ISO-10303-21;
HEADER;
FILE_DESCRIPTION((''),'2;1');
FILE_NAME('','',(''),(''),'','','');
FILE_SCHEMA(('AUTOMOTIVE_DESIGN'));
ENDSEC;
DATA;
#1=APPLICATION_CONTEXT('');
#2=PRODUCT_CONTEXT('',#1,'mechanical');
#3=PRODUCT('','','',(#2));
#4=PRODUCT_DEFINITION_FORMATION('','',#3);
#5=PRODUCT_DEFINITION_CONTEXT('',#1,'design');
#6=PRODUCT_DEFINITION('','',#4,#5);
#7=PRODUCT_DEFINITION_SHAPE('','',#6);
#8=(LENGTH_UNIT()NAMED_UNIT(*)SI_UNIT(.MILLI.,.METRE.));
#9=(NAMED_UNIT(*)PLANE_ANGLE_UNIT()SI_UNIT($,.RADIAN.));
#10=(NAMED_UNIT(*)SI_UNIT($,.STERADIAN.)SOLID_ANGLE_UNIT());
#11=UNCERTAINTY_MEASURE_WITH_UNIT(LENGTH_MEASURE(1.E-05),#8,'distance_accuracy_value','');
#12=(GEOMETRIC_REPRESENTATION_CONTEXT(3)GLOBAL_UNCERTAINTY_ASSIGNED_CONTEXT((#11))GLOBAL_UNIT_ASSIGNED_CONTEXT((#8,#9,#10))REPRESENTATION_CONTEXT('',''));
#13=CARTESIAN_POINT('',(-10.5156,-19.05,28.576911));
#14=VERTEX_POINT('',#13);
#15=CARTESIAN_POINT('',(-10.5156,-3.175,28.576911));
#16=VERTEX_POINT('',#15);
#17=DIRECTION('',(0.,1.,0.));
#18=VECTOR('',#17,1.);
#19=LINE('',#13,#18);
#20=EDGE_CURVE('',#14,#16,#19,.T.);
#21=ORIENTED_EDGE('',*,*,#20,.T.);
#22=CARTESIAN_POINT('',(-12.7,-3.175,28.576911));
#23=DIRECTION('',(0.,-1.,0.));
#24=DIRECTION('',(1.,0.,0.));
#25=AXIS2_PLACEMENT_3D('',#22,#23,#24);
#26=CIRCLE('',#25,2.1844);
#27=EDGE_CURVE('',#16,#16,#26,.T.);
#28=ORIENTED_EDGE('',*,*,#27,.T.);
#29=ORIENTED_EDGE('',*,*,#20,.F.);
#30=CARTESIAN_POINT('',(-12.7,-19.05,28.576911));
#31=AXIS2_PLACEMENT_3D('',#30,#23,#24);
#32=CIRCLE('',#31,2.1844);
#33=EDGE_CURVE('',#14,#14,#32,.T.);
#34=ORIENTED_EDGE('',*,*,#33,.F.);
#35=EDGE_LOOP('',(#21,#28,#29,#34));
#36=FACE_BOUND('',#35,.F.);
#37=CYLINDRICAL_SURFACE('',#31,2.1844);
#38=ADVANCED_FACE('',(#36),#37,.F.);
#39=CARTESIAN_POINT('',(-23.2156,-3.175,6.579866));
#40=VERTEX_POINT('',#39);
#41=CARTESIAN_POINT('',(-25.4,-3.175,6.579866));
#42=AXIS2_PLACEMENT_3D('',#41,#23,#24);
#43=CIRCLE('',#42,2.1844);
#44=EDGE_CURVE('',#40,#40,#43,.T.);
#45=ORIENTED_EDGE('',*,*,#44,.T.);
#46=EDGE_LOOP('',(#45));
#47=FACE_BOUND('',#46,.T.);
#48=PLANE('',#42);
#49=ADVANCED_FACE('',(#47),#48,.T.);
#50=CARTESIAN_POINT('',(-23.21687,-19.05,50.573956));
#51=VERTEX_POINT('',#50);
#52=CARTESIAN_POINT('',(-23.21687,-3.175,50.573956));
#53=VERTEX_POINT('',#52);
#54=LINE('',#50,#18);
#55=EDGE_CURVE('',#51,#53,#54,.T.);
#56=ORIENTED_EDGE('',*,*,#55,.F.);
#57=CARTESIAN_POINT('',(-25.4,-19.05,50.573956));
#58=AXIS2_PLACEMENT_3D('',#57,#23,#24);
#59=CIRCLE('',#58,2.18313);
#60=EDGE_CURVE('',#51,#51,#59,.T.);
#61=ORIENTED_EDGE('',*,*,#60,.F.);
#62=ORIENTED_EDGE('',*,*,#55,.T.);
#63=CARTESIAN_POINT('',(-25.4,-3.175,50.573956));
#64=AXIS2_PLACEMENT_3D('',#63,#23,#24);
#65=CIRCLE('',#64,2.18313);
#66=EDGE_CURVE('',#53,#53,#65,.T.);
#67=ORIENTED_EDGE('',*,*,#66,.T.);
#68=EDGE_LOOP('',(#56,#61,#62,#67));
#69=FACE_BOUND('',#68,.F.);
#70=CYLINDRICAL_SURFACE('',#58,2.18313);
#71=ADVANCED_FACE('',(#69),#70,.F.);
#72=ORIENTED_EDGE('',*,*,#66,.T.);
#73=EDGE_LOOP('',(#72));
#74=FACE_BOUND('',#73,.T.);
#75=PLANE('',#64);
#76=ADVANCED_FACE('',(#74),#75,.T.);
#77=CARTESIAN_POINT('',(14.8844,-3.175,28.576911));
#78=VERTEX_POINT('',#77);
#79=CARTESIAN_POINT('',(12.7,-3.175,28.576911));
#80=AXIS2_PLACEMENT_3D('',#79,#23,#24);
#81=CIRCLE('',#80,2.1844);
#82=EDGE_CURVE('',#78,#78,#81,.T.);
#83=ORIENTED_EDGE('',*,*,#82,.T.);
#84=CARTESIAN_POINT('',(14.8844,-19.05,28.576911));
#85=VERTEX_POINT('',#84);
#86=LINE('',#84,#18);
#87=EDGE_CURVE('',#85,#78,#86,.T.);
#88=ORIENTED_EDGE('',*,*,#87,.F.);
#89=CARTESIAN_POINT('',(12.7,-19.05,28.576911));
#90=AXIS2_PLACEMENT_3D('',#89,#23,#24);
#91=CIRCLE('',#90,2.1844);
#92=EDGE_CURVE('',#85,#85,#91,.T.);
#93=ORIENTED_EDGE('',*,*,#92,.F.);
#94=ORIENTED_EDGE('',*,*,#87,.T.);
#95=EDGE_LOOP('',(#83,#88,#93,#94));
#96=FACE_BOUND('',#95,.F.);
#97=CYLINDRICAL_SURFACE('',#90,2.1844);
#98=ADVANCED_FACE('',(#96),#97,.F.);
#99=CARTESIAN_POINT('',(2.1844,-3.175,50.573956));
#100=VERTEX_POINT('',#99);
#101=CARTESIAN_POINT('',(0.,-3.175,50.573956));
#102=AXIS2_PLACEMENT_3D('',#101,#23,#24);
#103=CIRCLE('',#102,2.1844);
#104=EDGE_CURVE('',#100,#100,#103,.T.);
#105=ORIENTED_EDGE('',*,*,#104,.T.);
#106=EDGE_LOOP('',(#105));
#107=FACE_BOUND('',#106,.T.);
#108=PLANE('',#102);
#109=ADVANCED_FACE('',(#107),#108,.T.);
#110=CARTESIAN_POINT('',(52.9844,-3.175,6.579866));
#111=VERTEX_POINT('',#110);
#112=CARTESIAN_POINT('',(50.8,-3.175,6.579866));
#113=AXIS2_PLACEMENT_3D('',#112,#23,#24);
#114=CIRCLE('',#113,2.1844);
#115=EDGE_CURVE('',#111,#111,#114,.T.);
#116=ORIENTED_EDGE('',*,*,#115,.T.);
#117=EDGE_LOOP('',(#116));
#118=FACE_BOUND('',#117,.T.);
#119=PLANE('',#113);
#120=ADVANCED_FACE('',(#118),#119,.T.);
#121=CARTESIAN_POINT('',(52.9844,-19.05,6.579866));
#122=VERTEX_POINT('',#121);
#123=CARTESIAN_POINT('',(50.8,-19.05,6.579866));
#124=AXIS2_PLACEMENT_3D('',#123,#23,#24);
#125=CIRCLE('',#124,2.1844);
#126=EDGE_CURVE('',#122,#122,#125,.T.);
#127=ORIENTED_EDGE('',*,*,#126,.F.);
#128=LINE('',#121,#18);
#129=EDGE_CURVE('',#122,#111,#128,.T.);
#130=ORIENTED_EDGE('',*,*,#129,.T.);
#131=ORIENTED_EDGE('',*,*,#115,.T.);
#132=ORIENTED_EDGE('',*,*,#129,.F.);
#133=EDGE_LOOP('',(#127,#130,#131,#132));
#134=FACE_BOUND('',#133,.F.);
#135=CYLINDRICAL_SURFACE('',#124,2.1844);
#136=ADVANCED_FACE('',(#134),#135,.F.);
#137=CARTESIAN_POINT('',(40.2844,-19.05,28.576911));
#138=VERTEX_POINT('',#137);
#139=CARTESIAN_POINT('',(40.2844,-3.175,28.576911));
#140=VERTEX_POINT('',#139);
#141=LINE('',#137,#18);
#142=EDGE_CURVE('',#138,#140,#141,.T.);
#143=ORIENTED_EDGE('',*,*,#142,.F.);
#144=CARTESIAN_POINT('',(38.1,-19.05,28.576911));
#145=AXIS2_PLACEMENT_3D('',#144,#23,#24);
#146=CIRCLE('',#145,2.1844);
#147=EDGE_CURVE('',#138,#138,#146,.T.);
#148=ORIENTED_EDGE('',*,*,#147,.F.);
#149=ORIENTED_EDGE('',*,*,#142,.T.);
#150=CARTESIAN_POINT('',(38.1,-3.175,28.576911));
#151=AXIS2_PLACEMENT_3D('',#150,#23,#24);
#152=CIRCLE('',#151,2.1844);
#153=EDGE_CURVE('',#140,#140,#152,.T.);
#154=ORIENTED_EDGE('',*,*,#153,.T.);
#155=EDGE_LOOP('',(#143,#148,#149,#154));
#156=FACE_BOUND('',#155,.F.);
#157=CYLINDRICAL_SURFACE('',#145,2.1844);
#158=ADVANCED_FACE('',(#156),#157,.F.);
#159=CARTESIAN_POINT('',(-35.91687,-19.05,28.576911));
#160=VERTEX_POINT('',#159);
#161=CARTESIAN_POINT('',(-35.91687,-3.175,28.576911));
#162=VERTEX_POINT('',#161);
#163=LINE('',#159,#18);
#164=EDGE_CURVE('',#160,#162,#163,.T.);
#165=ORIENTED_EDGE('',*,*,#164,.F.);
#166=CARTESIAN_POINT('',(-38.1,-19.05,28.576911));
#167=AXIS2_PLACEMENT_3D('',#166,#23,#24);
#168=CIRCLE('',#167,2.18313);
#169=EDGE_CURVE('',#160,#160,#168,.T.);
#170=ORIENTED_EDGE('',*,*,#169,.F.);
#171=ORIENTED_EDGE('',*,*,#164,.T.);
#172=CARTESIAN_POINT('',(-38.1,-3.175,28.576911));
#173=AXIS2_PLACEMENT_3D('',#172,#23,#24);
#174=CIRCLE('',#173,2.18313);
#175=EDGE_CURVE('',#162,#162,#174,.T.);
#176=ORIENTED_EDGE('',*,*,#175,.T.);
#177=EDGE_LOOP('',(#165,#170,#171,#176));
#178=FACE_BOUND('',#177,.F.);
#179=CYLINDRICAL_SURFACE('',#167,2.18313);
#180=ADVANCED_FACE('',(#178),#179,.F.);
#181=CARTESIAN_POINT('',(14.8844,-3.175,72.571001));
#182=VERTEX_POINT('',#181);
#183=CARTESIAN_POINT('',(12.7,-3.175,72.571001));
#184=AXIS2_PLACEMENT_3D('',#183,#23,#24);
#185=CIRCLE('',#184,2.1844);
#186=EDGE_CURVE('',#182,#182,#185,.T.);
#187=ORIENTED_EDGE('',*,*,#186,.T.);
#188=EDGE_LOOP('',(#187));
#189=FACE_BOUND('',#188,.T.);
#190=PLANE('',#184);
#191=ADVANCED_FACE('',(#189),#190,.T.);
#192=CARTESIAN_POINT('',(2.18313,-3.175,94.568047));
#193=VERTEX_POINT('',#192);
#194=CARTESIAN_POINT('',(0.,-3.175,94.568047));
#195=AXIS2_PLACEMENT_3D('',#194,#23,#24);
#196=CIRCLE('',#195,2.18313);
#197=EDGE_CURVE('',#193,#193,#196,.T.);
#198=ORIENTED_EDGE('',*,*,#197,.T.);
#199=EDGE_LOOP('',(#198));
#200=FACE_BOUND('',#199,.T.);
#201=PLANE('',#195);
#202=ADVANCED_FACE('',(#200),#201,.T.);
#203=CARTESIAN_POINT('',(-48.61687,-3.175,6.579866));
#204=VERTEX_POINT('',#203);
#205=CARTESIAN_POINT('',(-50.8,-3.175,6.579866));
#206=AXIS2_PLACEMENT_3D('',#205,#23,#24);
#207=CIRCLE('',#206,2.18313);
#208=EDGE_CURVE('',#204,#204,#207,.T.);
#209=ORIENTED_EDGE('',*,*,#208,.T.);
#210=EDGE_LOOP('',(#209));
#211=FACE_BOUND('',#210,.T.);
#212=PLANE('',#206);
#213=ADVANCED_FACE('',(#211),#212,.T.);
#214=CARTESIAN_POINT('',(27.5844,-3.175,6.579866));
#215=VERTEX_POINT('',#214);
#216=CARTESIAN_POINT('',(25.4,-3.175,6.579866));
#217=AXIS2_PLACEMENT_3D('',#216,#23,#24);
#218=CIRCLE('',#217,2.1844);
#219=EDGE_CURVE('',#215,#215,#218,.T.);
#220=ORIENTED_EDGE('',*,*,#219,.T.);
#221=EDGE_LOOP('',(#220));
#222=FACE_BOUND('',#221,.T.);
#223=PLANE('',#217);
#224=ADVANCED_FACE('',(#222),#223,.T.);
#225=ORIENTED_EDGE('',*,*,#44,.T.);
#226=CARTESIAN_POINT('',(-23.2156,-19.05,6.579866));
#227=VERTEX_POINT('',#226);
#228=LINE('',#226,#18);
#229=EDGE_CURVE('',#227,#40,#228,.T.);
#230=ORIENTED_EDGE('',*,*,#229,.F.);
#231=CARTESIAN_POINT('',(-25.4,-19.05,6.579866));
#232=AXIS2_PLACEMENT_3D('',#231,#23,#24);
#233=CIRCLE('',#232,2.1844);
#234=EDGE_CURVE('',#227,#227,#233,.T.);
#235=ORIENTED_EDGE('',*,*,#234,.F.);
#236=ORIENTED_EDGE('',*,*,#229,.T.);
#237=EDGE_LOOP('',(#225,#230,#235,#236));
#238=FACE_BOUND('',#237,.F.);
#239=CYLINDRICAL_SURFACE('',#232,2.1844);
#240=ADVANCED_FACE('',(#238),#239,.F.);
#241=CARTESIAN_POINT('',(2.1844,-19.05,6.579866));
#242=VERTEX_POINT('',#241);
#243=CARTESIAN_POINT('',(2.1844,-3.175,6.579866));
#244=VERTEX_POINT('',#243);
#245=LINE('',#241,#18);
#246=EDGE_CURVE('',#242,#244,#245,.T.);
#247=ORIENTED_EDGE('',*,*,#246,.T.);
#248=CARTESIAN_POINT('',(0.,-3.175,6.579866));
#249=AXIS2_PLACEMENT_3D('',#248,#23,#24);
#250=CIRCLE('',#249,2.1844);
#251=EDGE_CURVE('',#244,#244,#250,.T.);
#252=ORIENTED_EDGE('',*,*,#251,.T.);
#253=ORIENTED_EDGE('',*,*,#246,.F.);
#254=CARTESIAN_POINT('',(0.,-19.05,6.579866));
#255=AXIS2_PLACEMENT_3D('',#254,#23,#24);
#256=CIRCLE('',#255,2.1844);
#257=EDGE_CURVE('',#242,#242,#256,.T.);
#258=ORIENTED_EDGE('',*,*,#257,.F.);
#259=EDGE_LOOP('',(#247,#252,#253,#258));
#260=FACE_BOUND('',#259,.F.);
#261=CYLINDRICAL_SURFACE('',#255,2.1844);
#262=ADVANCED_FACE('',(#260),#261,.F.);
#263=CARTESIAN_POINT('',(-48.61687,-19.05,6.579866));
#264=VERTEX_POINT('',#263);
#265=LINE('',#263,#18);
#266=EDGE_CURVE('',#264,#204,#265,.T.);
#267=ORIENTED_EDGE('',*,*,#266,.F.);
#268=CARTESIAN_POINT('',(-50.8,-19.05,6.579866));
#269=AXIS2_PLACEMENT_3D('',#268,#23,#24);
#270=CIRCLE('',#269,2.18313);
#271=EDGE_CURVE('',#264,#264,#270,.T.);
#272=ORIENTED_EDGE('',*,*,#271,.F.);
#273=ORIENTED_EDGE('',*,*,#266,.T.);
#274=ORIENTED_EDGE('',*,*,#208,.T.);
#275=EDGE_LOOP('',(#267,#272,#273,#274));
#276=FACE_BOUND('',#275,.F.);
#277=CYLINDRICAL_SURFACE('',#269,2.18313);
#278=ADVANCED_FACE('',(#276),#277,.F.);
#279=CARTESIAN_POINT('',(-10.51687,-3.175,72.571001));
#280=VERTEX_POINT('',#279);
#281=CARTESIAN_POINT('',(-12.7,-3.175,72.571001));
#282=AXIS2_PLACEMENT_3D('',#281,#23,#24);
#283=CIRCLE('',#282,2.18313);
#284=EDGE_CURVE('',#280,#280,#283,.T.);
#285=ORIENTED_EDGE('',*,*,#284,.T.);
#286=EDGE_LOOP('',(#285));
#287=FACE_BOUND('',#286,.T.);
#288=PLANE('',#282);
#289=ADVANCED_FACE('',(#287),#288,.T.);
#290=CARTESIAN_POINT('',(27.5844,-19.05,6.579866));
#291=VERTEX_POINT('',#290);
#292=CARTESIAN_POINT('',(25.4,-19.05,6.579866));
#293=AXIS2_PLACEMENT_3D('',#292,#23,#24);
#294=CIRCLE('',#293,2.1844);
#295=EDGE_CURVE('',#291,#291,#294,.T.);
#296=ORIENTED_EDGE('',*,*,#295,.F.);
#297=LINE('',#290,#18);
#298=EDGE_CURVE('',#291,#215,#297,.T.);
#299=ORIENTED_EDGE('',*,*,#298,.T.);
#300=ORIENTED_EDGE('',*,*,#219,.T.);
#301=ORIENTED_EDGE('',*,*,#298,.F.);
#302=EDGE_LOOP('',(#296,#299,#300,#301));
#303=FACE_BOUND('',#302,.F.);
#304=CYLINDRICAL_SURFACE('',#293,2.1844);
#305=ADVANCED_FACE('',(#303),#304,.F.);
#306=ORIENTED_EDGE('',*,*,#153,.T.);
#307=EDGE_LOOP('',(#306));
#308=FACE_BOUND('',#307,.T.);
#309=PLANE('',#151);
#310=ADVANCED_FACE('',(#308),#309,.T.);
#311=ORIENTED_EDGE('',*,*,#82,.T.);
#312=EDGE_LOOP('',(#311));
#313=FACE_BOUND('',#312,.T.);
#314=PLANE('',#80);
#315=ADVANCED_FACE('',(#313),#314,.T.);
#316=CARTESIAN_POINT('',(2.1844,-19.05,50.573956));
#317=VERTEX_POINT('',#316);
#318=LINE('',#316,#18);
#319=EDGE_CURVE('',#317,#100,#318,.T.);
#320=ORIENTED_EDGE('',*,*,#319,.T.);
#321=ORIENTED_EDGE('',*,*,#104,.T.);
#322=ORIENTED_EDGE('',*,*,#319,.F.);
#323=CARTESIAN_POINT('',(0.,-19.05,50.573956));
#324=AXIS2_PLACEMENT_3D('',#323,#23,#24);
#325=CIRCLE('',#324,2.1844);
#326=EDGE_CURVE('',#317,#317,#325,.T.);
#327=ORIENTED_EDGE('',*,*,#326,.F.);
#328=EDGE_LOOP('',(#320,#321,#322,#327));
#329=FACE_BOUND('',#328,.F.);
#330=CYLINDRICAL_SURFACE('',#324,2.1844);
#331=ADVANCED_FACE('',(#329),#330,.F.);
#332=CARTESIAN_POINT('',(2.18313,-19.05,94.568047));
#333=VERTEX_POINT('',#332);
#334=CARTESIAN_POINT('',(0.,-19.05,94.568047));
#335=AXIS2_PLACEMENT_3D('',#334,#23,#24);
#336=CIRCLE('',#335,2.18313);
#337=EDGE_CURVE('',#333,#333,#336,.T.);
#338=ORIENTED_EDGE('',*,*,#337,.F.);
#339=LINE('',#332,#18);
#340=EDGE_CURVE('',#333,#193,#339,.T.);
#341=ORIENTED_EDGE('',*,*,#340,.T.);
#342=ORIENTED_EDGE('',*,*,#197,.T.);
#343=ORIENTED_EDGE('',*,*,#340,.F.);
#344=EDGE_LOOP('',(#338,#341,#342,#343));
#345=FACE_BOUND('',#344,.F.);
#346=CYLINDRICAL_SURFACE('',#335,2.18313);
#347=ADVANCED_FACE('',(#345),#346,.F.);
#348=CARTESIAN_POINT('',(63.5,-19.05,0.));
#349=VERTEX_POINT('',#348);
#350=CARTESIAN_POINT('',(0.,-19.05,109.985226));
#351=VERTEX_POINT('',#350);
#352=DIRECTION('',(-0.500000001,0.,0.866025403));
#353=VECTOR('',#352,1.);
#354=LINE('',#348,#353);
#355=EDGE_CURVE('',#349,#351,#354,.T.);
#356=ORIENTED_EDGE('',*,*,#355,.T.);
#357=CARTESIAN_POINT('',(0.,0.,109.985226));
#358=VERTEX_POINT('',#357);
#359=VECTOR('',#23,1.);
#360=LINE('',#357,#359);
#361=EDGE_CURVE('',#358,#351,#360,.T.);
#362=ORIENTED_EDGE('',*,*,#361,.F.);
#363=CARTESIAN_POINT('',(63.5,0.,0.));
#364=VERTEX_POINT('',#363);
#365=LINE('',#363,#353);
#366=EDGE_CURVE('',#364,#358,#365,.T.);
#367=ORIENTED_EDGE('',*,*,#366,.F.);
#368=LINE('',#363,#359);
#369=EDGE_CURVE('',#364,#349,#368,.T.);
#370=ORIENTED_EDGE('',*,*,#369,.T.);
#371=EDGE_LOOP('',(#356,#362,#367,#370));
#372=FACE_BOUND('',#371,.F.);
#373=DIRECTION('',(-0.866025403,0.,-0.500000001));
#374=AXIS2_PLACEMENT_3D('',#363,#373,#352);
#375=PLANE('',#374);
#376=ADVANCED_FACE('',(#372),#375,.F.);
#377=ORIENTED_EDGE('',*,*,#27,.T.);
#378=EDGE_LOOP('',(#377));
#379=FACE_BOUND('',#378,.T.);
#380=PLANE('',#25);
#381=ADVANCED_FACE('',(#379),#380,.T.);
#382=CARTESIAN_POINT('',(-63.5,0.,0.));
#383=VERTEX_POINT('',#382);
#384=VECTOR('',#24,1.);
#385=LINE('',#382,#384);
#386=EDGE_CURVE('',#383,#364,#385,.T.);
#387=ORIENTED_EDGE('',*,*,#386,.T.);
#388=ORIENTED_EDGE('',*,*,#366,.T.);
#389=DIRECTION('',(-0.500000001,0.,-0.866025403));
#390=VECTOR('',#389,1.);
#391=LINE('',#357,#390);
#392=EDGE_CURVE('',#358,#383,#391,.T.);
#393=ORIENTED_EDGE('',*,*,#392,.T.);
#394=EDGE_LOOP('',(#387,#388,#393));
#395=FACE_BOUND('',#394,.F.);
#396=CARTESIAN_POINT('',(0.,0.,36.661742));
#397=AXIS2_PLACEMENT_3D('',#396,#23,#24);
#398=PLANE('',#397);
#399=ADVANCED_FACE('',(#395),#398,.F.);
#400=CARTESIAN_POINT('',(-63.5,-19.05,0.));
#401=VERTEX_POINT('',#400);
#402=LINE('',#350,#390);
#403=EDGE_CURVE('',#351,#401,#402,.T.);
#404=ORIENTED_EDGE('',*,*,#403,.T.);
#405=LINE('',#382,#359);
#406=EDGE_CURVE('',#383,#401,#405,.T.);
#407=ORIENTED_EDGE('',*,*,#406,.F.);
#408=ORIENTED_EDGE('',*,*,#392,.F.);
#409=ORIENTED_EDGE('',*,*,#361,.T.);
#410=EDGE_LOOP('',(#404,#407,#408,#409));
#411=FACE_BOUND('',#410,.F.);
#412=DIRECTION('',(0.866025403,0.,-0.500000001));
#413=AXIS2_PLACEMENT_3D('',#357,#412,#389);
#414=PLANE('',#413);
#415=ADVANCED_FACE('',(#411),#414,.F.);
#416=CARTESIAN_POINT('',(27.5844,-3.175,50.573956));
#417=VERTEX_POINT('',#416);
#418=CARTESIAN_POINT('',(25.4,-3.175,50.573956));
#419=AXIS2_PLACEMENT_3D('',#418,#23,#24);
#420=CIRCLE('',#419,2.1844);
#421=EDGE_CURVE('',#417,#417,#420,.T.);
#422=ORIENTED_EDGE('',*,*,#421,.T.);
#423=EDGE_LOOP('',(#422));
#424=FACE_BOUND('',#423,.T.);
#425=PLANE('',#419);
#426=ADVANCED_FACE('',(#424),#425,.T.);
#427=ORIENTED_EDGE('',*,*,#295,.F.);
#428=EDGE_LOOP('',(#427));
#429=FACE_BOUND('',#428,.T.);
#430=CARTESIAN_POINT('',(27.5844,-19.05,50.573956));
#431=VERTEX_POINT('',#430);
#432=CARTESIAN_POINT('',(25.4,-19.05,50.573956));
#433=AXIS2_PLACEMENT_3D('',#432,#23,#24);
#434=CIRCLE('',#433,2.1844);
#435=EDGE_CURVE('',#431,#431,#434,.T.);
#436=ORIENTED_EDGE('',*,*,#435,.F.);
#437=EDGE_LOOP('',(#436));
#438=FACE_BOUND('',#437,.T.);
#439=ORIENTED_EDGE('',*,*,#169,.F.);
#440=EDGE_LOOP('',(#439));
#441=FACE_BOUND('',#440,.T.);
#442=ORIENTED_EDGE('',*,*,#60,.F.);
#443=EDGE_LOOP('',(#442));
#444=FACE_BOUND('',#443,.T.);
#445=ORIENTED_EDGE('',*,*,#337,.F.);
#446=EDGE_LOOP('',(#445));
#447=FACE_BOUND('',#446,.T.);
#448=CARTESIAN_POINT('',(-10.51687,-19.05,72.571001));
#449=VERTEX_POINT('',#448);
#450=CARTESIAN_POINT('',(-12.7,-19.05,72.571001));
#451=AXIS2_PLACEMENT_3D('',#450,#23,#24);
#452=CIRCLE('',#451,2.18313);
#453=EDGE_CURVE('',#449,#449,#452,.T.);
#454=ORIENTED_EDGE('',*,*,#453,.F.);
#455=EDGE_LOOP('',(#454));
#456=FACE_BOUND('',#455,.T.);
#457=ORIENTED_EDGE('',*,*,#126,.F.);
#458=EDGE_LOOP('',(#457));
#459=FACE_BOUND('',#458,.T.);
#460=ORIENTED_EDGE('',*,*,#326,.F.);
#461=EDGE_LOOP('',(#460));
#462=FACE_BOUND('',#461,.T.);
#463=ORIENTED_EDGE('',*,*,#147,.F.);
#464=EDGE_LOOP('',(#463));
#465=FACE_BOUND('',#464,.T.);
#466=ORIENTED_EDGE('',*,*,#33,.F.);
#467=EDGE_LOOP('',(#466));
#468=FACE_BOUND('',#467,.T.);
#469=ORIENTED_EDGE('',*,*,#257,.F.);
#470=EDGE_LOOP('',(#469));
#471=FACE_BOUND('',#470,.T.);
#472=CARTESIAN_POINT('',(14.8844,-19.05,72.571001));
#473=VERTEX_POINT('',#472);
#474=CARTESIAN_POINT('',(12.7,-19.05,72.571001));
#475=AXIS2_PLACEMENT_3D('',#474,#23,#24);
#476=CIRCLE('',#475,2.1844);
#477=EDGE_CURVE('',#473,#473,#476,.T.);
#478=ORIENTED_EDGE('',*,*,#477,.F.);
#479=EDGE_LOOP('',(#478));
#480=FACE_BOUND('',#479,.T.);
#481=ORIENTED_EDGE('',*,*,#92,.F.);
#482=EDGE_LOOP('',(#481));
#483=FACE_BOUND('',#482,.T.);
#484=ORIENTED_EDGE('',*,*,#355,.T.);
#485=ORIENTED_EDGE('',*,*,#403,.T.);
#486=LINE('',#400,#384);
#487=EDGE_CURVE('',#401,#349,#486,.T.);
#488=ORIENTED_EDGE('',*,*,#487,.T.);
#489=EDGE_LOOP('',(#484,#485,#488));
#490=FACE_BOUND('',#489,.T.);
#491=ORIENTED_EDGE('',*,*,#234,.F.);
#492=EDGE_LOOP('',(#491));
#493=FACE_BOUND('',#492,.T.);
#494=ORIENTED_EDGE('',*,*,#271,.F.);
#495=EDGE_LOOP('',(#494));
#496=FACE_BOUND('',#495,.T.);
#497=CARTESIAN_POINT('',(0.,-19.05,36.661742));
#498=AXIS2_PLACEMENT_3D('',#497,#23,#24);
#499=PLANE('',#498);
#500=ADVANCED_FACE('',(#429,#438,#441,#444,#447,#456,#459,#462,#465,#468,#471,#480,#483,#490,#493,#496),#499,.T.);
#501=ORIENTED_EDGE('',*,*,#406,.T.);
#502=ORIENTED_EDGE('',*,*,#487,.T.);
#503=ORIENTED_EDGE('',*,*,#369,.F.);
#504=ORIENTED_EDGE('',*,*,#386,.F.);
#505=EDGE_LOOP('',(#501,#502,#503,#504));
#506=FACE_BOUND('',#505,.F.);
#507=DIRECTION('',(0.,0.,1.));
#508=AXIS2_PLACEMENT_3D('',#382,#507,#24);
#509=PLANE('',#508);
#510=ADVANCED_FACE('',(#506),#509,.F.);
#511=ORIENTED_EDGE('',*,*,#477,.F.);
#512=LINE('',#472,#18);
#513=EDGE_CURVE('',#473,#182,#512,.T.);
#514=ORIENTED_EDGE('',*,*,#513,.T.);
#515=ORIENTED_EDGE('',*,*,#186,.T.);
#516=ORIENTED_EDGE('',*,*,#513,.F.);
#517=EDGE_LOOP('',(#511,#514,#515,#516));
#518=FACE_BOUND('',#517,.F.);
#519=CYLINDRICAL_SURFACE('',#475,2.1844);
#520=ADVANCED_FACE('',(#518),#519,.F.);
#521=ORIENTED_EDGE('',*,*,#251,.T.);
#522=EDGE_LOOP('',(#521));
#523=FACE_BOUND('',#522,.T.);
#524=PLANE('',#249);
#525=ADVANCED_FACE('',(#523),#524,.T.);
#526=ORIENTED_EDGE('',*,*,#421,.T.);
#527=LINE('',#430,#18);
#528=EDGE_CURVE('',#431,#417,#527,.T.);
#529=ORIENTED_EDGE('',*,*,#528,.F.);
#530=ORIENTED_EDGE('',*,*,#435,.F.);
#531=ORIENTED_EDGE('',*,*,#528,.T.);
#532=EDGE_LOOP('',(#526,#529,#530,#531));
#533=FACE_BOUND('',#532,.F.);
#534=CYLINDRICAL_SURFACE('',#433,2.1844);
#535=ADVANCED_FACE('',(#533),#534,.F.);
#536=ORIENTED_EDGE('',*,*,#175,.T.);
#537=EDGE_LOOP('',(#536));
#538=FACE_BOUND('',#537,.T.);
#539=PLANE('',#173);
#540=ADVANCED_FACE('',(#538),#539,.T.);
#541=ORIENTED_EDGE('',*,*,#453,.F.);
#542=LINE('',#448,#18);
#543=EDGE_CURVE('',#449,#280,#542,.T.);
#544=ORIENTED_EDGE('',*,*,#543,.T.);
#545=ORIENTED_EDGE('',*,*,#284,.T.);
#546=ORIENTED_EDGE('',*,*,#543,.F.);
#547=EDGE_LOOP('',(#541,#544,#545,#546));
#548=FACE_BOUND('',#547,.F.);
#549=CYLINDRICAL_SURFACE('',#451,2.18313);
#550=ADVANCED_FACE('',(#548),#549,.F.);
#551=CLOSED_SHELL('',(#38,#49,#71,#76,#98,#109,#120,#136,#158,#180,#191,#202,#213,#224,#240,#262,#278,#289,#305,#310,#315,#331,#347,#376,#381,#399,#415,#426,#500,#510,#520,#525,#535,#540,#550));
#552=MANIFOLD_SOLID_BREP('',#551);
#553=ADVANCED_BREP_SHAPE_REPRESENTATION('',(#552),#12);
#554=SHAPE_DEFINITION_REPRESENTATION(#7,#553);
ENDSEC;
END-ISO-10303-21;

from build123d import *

# Parameters (mm, degrees)
F1_DEPTH = 19.05
F2_R     = 2.18313
F2_R_2   = 2.1844
F3_DEPTH = 15.875


with BuildPart() as f1:
    # F0 (on Front) → F1 (new body)
    with BuildSketch(Plane.XZ):
        Polygon((63.5, 0), (0, 109.985226), (-63.5, 0), align=None)
    extrude(amount=F1_DEPTH)

    # F2 (on face) → F3 (cut)
    with BuildSketch(Plane.XZ.offset(19.05)):
        with Locations((0, 94.568047)):
            Circle(F2_R)
        with Locations((-12.7, 72.571001)):
            Circle(F2_R)
        with Locations((-25.4, 50.573956)):
            Circle(F2_R)
        with Locations((-38.1, 28.576911)):
            Circle(F2_R)
        with Locations((-50.8, 6.579866)):
            Circle(F2_R)
        with Locations((12.7, 72.571001)):
            Circle(F2_R_2)
        with Locations((25.4, 50.573956)):
            Circle(F2_R_2)
        with Locations((0, 50.573956)):
            Circle(F2_R_2)
        with Locations((-12.7, 28.576911)):
            Circle(F2_R_2)
        with Locations((12.7, 28.576911)):
            Circle(F2_R_2)
        with Locations((38.1, 28.576911)):
            Circle(F2_R_2)
        with Locations((-25.4, 6.579866)):
            Circle(F2_R_2)
        with Locations((0, 6.579866)):
            Circle(F2_R_2)
        with Locations((25.4, 6.579866)):
            Circle(F2_R_2)
        with Locations((50.8, 6.579866)):
            Circle(F2_R_2)
    extrude(amount=-F3_DEPTH, mode=Mode.SUBTRACT)


solid = f1.part
